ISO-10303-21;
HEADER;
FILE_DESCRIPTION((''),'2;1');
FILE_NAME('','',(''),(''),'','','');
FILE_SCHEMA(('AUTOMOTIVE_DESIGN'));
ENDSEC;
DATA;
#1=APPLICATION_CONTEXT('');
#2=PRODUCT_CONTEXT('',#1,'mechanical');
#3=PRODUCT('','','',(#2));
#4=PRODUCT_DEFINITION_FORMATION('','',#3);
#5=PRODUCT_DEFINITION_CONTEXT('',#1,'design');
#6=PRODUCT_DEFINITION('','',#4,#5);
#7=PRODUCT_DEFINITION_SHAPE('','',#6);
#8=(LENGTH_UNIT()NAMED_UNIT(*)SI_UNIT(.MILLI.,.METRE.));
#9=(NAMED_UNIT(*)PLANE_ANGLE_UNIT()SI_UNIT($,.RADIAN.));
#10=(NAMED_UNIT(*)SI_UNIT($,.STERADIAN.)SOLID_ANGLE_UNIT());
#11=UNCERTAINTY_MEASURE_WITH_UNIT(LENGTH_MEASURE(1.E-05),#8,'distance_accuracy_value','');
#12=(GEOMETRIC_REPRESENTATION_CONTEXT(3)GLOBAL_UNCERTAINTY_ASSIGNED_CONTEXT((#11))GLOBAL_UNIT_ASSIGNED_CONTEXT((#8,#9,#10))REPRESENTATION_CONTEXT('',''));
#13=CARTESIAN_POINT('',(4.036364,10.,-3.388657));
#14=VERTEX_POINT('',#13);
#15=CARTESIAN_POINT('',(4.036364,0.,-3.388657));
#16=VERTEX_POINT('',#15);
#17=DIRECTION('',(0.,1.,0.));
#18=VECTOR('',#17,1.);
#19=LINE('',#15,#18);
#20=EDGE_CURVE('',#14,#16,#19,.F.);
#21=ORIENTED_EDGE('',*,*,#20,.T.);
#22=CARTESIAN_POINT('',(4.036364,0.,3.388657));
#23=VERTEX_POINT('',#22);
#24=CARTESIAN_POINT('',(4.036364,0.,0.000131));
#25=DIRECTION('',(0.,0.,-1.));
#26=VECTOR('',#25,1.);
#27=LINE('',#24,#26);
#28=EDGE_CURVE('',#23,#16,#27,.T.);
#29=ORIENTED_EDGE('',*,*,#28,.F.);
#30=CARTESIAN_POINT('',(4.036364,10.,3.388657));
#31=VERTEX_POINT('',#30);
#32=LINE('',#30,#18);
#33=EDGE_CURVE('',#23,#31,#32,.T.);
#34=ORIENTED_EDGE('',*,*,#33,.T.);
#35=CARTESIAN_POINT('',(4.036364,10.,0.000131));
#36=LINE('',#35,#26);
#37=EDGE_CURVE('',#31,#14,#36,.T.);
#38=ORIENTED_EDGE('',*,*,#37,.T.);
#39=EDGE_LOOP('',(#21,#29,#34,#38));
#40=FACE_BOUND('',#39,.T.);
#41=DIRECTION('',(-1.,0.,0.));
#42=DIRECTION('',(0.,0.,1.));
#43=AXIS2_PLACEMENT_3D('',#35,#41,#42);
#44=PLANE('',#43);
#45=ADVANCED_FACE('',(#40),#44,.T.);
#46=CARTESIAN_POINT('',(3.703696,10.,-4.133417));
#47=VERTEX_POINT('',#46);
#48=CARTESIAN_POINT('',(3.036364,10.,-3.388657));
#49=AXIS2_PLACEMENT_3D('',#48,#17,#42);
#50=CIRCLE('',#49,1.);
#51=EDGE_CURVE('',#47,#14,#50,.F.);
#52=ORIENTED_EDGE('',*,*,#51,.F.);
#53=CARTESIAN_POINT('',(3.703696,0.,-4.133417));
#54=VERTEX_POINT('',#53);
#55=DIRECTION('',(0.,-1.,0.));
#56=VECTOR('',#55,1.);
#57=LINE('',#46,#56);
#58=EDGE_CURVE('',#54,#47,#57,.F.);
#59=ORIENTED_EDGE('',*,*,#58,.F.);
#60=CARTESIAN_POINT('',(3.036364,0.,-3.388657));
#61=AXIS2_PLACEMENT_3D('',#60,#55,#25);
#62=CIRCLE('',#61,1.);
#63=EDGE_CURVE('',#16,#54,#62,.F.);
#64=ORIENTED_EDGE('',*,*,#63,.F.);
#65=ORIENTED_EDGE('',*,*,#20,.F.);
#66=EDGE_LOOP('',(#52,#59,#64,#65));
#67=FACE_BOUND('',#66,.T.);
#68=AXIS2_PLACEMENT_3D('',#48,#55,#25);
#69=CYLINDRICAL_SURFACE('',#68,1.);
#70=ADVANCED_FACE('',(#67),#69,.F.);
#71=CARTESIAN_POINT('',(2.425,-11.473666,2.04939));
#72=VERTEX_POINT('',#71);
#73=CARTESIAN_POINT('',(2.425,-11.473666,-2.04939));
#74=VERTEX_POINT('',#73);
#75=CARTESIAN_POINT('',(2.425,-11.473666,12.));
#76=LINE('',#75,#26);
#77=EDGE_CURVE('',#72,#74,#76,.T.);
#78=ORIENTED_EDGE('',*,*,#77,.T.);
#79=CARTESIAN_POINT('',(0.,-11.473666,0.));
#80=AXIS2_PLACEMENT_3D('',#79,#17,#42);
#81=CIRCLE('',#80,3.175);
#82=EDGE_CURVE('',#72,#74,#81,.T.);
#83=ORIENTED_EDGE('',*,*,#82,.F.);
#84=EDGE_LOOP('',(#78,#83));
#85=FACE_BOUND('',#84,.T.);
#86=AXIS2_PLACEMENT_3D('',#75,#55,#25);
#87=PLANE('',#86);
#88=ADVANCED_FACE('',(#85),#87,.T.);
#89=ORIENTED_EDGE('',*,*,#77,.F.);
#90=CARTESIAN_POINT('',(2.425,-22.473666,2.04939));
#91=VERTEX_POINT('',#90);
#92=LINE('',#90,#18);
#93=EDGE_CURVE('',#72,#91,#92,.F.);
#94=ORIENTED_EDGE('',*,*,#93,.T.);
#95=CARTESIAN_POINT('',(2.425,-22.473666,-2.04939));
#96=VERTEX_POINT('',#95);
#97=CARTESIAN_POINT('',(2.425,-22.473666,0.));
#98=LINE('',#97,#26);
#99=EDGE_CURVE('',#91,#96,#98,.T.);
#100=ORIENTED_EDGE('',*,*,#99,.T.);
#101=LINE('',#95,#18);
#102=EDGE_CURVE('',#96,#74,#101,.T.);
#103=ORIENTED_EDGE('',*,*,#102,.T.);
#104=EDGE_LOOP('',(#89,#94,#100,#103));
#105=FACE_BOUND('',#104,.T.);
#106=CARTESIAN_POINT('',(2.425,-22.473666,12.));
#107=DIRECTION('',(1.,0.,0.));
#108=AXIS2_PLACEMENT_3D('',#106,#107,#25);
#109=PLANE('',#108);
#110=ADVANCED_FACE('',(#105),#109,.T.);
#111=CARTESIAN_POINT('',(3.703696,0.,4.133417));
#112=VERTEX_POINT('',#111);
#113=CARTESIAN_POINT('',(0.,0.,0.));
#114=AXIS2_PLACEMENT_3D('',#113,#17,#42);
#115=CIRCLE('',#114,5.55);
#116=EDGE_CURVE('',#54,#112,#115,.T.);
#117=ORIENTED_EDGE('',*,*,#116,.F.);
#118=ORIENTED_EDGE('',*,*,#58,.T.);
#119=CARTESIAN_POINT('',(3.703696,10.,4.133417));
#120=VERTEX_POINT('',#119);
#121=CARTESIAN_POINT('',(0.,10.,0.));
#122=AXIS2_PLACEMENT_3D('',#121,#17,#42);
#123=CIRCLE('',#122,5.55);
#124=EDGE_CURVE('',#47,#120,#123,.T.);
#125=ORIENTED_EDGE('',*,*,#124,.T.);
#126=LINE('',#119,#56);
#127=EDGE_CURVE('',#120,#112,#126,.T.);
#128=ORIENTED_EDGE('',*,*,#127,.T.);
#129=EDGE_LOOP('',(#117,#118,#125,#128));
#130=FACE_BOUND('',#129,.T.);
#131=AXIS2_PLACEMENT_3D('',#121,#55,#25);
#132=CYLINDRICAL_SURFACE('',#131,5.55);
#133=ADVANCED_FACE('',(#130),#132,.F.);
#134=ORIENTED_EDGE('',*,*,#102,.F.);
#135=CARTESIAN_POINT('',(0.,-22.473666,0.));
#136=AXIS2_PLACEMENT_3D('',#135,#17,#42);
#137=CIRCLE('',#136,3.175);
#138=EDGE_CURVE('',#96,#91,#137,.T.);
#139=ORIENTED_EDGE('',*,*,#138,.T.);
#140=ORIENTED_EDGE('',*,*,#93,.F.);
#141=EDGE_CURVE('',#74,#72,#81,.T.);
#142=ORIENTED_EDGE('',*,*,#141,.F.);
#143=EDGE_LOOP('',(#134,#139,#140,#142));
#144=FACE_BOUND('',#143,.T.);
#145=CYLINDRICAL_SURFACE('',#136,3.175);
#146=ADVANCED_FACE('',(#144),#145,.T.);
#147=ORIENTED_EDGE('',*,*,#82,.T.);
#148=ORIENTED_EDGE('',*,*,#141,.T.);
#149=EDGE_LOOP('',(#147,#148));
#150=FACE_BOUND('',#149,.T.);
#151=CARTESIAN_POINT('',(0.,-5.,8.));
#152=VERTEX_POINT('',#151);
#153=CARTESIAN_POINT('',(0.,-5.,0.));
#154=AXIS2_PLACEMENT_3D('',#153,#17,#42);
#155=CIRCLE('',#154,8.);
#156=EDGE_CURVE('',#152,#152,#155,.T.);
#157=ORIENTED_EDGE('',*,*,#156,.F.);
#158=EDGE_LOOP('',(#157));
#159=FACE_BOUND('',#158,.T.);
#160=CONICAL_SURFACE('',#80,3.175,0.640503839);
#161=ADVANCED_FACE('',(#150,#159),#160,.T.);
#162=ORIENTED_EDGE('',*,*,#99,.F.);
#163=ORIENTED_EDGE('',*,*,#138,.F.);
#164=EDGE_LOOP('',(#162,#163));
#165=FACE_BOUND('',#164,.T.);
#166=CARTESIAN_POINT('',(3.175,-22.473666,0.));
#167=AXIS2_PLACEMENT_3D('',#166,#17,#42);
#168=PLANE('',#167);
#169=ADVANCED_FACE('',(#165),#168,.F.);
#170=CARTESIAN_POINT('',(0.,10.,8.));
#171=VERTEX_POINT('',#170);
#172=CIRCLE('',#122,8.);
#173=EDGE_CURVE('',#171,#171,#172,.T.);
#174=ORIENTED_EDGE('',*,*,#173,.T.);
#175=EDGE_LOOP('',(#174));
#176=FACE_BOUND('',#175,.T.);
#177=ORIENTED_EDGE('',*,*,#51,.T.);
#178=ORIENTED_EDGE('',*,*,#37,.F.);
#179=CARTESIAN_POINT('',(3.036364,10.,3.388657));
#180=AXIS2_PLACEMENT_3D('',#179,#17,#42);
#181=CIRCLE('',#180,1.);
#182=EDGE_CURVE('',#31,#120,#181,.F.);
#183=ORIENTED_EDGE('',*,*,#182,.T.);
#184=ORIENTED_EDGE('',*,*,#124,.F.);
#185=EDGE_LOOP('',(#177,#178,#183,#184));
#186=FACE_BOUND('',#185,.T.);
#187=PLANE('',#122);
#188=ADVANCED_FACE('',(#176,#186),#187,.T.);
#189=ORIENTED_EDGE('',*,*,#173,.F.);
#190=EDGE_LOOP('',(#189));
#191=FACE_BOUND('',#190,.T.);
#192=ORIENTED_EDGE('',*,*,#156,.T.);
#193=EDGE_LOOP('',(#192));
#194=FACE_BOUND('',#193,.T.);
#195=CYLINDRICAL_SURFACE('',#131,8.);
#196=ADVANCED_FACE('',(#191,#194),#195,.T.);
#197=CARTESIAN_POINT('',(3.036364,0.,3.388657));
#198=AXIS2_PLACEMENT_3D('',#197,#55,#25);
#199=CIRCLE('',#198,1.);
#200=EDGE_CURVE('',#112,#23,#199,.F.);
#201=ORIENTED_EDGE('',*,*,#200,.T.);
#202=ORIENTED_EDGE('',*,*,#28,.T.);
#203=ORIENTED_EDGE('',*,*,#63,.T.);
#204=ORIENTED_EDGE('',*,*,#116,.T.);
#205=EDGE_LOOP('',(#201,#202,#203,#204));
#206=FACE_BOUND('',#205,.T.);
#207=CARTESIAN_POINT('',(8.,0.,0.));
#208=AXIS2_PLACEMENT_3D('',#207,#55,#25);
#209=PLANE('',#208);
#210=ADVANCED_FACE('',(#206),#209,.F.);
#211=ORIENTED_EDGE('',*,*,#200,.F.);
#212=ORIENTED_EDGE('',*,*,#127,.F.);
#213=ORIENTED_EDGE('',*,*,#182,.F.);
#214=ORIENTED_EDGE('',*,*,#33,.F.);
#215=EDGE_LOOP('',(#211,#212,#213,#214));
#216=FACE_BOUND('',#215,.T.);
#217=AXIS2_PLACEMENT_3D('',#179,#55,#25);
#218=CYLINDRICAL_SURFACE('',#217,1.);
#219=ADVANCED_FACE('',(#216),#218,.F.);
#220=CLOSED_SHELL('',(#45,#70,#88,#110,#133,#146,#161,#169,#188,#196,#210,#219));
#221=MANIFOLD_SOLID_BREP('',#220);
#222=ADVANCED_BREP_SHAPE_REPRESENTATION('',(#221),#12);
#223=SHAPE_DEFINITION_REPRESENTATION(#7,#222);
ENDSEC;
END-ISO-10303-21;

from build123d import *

# Parameters (mm, degrees)
SKETCH1_R               = 8
BOSS_EXTRUDE1_DEPTH     = 10
CUT_EXTRUDE1_DEPTH      = 12
CUT_EXTRUDE1_DEPTH_BACK = 12
SKETCH3_W               = 0.75
SKETCH3_H               = 11
FILLET2_R               = 1
FILLET3_R               = 1


with BuildPart() as part:
    # Sketch1 → Boss-Extrude1 (new body)
    with BuildSketch(Plane(origin=(0, 0, 0), x_dir=(1, 0, 0), z_dir=(0, 1, 0))):
        Circle(SKETCH1_R)
        with BuildLine():
            Line((4.036363636, -0.000130644), (4.036363636, 3.809234647))
            ThreePointArc((4.036363636, 3.809234647), (-5.55, 0), (4.036363636, -3.809234647))
            Line((4.036363636, -3.809234647), (4.036363636, -0.000130644))
        make_face(mode=Mode.SUBTRACT)
    extrude(amount=BOSS_EXTRUDE1_DEPTH)

    # Sketch2 → Revolve1 (revolve)
    with BuildSketch(Plane.XY):
        Polygon((8, 0), (8, -5), (3.175, -11.473666382), (3.175, -22.473666382), (0, -22.473666382), (0, 0), align=None)
    revolve(axis=Axis((0, -22.473666382, 0), (0, -1, 0)))

    # Sketch3 → Cut-Extrude1 (cut, two sides: drawn at the far end of the back side and taken through both)
    with BuildSketch(Plane.XY.offset(-CUT_EXTRUDE1_DEPTH_BACK)):
        with Locations((2.8, -16.973666382)):
            Rectangle(SKETCH3_W, SKETCH3_H)
    extrude(amount=CUT_EXTRUDE1_DEPTH + CUT_EXTRUDE1_DEPTH_BACK, mode=Mode.SUBTRACT)

    # Fillet2
    fillet2_edges = [part.edges().sort_by_distance(p)[0] for p in [
        (4.036363636, 5, -3.809234647),
    ]]
    fillet(fillet2_edges, radius=FILLET2_R)

    # Fillet3
    fillet3_edges = [part.edges().sort_by_distance(p)[0] for p in [
        (4.036363636, 5, 3.809234647),
    ]]
    fillet(fillet3_edges, radius=FILLET3_R)


solid = part.part
